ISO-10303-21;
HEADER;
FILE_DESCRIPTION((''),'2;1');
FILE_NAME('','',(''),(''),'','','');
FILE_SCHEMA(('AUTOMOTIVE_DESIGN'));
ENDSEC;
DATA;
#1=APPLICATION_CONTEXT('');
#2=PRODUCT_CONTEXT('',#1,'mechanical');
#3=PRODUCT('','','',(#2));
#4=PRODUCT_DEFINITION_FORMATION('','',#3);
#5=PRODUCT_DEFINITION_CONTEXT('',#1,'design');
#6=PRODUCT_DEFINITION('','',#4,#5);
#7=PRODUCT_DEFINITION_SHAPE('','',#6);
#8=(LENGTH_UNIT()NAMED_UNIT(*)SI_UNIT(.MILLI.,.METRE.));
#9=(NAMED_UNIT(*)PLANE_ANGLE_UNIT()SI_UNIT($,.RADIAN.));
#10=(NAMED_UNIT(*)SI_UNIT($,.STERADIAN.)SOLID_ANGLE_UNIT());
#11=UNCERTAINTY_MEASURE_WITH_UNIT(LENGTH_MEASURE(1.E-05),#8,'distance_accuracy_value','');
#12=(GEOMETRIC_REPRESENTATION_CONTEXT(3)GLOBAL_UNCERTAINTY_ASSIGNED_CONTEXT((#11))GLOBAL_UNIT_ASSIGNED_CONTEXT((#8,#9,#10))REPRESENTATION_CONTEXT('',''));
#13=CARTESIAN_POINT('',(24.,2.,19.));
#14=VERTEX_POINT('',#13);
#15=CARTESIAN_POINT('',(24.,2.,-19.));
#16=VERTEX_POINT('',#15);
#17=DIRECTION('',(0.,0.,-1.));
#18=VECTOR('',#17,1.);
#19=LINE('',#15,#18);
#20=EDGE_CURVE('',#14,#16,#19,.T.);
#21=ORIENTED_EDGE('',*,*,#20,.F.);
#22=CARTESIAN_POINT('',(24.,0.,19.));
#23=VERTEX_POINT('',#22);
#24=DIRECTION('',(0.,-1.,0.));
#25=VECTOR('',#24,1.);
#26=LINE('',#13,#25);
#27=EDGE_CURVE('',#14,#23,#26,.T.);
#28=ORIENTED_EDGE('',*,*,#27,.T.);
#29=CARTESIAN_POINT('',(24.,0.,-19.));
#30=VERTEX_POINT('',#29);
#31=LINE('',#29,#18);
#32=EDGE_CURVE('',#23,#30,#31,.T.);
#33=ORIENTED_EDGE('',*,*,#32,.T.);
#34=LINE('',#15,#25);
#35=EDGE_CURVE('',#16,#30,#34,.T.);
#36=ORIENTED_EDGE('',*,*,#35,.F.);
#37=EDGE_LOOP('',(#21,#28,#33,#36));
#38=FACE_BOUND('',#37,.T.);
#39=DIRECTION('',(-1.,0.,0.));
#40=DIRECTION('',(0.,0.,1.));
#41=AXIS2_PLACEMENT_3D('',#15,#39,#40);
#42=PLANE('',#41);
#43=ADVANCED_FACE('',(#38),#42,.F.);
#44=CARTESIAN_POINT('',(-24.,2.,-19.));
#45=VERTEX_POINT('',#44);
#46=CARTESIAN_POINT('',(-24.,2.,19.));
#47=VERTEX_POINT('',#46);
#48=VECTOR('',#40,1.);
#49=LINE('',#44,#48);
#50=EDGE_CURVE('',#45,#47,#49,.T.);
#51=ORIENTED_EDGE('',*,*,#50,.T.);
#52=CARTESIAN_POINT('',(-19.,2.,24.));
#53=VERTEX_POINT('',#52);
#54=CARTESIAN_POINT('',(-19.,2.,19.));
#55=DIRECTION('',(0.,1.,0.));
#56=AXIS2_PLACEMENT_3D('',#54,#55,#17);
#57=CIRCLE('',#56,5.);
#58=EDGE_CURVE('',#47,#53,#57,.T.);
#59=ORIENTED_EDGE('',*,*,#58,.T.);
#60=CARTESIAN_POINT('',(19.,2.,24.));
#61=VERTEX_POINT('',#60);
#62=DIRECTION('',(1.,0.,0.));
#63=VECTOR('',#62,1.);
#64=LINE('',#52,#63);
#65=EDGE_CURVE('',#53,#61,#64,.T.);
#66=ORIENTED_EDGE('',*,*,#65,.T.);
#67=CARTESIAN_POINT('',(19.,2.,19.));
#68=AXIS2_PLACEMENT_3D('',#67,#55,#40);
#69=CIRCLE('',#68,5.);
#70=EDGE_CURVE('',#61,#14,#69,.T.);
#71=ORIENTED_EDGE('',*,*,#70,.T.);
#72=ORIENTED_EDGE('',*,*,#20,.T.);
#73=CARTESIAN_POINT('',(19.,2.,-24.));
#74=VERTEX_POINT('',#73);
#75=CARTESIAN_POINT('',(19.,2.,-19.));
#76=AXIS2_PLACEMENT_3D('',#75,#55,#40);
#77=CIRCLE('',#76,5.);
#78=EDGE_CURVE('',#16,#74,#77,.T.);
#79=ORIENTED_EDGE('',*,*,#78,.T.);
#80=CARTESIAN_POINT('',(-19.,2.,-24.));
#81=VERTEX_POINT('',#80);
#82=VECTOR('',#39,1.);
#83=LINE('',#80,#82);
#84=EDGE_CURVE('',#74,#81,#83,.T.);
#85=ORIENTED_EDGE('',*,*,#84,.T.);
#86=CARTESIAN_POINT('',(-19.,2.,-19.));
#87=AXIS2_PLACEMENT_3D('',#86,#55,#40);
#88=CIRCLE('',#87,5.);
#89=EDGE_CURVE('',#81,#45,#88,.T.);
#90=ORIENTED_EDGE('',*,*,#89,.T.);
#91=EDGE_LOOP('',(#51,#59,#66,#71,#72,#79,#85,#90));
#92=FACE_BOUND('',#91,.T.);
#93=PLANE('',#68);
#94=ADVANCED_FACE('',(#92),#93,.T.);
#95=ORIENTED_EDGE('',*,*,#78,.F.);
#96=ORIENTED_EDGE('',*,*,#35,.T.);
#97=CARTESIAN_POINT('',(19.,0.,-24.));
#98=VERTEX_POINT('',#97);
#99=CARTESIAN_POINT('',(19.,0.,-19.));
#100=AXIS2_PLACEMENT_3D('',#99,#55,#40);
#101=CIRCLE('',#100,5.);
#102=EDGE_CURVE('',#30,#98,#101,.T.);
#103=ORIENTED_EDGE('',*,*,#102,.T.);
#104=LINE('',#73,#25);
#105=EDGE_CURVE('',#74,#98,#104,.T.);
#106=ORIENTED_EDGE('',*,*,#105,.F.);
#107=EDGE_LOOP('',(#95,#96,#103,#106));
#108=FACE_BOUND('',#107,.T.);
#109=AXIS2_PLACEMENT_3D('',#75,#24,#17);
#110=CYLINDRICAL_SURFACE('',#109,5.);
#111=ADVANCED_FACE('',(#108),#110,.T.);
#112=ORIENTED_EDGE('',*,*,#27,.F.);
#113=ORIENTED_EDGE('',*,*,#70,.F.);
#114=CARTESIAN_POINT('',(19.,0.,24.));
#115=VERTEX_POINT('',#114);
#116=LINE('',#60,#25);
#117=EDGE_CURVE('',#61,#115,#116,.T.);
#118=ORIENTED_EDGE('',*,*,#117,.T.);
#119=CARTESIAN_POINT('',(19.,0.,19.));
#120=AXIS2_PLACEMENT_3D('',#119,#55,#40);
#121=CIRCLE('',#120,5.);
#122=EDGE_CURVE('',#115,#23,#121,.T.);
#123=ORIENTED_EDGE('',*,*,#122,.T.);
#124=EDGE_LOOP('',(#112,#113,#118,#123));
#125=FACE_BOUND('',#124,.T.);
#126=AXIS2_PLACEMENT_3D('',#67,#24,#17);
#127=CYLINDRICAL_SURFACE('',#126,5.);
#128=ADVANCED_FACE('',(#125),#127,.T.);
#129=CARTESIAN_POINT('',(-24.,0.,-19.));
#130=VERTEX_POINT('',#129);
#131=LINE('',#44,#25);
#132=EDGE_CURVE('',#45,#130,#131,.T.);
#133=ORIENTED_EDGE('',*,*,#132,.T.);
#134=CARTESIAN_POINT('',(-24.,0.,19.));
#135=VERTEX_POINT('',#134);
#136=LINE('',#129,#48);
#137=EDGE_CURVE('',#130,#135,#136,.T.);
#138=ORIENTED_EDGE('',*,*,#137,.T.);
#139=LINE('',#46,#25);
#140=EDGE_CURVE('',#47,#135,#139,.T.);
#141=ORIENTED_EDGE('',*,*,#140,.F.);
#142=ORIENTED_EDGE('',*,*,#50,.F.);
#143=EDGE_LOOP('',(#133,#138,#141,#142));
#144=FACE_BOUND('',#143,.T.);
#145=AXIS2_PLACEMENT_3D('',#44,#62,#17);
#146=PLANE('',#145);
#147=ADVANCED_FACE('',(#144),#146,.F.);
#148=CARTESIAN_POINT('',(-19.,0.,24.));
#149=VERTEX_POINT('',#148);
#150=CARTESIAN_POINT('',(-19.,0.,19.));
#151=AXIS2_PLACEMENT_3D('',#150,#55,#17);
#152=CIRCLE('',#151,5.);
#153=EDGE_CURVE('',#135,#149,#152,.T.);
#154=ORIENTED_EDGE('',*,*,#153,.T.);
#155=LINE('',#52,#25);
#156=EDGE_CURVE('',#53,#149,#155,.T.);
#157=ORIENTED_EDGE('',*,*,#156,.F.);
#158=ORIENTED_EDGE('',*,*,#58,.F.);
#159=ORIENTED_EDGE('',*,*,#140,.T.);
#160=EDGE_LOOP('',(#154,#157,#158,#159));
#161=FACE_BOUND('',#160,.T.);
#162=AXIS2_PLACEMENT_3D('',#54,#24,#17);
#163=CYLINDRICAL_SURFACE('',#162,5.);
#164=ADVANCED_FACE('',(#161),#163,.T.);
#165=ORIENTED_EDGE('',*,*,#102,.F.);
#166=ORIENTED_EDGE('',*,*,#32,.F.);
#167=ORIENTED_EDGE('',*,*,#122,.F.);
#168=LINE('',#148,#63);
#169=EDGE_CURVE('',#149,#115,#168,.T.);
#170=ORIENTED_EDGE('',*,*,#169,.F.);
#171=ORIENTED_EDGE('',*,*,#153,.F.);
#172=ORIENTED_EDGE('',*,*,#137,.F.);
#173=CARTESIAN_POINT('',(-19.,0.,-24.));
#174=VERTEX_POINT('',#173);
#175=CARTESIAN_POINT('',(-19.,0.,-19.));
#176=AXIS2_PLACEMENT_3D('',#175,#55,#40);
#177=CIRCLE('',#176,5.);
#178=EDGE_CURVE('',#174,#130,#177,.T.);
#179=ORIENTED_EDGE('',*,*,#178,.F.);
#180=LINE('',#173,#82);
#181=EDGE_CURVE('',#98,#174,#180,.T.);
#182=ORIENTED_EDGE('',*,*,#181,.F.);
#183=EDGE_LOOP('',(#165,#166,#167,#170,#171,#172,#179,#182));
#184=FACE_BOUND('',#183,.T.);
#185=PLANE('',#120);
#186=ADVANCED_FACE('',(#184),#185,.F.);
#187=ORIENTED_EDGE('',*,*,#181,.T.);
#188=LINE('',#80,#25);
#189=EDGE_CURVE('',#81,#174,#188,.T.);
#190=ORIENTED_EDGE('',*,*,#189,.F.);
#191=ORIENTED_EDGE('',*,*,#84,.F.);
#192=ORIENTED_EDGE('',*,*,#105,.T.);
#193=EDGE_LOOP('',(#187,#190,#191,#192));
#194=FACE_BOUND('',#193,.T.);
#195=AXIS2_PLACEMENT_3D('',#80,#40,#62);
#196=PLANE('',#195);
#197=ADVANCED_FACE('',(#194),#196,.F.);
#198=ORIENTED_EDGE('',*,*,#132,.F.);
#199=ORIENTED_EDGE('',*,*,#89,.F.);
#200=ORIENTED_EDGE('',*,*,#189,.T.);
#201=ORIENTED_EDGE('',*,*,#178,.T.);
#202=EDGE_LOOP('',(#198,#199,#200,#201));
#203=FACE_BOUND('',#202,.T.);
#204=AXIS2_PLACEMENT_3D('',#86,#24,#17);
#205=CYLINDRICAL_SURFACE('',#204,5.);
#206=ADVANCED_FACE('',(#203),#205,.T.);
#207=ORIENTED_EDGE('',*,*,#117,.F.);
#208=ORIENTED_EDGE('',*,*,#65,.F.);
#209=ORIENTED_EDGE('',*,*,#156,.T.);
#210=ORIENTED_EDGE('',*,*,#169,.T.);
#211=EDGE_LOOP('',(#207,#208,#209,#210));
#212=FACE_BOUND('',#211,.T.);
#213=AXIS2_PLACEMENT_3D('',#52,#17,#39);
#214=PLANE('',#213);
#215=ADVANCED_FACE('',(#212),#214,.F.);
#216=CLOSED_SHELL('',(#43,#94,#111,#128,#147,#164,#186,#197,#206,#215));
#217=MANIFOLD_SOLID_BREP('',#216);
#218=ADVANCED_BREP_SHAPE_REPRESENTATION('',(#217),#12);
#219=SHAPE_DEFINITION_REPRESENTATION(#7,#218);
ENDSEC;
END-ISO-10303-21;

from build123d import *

# Parameters (mm, degrees)
BOSS_EXTRUDE1_DEPTH = 2


with BuildPart() as part:
    # Sketch1 → Boss-Extrude1 (new body)
    with BuildSketch(Plane(origin=(0, 0, 0), x_dir=(1, 0, 0), z_dir=(0, 1, 0))):
        with BuildLine():
            Line((-19, 24), (19, 24))
            ThreePointArc((19, 24), (22.535533906, 22.535533906), (24, 19))
            Line((24, 19), (24, -19))
            ThreePointArc((24, -19), (22.535533906, -22.535533906), (19, -24))
            Line((19, -24), (-19, -24))
            ThreePointArc((-19, -24), (-22.535533906, -22.535533906), (-24, -19))
            Line((-24, -19), (-24, 19))
            ThreePointArc((-24, 19), (-22.535533906, 22.535533906), (-19, 24))
        make_face()
    extrude(amount=BOSS_EXTRUDE1_DEPTH)


solid = part.part
